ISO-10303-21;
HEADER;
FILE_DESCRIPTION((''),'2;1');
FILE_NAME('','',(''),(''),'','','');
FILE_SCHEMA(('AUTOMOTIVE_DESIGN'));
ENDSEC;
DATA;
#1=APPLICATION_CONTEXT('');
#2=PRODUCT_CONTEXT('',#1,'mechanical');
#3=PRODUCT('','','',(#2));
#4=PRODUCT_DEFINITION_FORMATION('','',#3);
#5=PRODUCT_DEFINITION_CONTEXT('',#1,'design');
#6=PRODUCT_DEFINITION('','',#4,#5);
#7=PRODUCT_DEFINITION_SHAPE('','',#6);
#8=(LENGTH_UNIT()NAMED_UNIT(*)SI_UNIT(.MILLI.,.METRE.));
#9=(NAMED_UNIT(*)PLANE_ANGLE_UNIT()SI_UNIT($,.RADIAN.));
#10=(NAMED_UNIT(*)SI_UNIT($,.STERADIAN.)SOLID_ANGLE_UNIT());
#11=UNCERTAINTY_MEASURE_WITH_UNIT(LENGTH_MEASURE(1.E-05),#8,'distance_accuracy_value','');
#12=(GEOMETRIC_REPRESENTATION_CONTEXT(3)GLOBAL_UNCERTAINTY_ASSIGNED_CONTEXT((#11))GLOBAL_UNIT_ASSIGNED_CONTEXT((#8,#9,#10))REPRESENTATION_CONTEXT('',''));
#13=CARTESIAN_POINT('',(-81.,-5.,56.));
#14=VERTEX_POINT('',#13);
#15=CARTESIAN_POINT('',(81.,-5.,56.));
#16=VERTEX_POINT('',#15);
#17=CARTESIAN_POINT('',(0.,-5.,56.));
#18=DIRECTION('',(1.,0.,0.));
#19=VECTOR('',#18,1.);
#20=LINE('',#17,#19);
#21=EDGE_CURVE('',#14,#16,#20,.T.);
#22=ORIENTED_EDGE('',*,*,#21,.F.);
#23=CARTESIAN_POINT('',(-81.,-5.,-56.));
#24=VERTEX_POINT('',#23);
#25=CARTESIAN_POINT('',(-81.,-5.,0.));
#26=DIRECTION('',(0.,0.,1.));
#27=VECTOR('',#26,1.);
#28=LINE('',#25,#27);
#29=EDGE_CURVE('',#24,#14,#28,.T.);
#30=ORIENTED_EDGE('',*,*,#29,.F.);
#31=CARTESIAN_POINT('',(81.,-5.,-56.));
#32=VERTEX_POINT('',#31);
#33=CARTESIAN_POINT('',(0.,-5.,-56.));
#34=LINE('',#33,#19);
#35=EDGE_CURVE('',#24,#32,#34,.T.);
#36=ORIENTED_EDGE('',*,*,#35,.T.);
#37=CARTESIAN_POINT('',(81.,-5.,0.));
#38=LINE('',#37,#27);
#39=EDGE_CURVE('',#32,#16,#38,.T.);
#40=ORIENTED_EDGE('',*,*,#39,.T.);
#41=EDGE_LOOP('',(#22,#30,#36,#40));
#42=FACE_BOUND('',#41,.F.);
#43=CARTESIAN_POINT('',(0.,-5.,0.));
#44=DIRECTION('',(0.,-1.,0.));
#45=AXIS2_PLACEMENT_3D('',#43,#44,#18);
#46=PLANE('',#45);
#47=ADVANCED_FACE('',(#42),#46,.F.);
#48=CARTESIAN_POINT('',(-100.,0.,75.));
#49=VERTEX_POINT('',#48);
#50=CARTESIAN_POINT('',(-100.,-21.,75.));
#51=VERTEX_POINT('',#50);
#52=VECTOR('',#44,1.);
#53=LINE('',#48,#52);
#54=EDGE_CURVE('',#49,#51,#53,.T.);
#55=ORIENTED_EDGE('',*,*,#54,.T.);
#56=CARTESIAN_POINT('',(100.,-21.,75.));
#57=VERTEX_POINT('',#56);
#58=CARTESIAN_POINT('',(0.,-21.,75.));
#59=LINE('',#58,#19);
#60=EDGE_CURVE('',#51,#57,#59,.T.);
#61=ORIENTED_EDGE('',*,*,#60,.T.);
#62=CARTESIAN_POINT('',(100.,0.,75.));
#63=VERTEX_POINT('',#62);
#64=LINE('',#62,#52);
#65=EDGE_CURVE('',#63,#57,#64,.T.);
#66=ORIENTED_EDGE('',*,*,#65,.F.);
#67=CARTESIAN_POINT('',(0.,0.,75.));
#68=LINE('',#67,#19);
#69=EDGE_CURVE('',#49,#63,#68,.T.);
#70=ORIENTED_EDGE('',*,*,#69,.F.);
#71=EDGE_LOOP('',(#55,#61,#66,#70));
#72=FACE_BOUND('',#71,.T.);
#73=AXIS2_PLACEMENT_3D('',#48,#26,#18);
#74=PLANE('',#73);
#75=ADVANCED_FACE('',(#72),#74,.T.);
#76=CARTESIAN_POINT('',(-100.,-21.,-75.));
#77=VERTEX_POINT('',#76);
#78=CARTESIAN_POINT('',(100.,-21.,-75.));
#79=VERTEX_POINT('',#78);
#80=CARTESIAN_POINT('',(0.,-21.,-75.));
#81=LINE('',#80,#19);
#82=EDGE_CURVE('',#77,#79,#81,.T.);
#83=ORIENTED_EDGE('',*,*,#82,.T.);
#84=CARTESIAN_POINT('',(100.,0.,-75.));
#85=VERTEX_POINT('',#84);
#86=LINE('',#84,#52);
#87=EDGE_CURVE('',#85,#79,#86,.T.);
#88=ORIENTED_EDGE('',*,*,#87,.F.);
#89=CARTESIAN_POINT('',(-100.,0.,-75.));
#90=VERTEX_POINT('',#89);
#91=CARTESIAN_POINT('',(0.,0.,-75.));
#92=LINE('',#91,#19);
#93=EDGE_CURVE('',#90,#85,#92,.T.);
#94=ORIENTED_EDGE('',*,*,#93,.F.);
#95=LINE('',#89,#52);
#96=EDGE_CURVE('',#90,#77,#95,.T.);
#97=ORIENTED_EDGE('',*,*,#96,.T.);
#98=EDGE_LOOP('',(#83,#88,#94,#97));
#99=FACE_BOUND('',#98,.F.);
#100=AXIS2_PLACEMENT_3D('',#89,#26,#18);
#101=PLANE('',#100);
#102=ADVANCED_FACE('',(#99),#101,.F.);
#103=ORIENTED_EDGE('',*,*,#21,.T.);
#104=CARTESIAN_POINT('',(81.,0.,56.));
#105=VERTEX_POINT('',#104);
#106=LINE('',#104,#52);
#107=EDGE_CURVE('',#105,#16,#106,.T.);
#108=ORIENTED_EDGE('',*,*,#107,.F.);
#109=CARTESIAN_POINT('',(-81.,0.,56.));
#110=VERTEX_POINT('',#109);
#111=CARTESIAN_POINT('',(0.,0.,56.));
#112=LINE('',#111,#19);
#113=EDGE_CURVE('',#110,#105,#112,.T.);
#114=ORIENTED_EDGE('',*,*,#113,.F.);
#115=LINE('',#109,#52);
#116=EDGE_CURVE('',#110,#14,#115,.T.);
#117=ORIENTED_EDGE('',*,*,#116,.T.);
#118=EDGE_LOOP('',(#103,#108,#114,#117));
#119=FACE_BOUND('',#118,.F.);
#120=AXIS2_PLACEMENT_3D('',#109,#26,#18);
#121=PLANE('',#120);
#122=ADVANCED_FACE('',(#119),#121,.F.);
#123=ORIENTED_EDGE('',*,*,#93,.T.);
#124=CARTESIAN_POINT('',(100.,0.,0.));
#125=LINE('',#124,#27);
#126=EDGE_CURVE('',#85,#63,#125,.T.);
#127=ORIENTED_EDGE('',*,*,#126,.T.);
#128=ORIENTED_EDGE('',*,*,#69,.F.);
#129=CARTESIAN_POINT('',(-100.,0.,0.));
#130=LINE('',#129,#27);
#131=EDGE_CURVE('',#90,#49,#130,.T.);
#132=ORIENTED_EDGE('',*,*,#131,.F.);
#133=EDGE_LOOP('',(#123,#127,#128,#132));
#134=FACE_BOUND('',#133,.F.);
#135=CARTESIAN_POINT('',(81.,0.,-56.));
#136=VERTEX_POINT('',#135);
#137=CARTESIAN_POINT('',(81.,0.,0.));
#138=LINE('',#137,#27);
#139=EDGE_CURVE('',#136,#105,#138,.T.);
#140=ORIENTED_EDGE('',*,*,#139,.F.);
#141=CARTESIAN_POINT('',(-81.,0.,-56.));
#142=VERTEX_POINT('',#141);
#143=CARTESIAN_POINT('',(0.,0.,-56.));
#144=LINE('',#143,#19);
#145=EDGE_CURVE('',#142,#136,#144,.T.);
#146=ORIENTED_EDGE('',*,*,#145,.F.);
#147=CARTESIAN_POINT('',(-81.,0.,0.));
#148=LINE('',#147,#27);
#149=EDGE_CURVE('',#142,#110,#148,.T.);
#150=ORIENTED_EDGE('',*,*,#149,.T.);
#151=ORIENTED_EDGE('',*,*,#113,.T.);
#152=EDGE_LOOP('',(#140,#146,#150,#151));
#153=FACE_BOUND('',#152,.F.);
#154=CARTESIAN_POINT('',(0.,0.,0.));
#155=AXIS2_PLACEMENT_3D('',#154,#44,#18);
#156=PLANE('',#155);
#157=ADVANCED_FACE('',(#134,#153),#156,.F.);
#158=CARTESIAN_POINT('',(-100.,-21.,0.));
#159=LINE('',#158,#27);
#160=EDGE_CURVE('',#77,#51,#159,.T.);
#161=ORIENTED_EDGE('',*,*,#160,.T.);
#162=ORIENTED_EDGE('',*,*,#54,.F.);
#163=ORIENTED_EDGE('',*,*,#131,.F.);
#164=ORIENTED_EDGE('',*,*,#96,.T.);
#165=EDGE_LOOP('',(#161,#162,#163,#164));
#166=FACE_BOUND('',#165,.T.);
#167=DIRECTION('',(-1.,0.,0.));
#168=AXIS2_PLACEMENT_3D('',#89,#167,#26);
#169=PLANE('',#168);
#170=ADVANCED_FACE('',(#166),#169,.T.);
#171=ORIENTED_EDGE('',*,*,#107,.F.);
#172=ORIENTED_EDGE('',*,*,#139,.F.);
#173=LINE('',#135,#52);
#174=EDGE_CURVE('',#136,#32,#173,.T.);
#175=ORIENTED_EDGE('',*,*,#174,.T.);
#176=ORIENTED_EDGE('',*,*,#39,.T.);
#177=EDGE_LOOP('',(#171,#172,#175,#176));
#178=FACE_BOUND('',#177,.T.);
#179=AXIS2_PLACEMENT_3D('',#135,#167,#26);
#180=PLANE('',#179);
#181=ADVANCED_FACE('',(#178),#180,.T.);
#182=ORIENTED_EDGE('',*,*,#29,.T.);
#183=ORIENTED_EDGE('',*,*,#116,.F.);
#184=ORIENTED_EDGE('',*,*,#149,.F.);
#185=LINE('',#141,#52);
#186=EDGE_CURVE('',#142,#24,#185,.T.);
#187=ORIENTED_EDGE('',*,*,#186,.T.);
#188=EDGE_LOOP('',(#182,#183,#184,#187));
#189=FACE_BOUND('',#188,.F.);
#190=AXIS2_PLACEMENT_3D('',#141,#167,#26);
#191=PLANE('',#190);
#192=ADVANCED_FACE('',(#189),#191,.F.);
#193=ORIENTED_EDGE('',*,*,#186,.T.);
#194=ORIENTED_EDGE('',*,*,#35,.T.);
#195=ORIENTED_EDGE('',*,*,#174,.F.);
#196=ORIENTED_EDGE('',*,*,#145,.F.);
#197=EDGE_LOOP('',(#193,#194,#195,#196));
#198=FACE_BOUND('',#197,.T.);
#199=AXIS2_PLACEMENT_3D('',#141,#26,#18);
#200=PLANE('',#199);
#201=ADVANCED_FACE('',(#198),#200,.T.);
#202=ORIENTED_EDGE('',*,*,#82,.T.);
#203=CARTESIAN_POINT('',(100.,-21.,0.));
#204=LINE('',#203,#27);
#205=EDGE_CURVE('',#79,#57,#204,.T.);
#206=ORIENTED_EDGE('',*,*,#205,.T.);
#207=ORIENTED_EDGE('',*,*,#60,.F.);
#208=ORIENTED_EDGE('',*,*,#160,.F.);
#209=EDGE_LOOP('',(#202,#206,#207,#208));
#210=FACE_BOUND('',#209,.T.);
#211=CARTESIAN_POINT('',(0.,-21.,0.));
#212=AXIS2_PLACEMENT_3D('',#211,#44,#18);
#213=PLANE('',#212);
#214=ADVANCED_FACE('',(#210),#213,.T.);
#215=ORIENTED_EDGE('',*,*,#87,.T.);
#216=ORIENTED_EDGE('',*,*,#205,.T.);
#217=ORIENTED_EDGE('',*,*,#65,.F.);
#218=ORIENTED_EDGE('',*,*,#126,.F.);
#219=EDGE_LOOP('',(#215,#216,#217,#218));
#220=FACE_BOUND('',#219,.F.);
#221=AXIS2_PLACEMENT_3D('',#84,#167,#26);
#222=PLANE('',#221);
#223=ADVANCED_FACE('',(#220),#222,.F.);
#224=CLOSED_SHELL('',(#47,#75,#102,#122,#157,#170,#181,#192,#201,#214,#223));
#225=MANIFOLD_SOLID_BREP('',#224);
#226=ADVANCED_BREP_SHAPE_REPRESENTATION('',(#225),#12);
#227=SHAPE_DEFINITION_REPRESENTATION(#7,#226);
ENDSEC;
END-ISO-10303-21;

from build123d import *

# Parameters (mm, degrees)
F0_W     = 200
F0_H     = 150
F0_W_2   = 162
F0_H_2   = 112
F1_DEPTH = 21
F2_DEPTH = 5


with BuildPart() as f1:
    # F0 (on Front) → F1 (new body)
    with BuildSketch(Plane.XZ):
        Rectangle(F0_W, F0_H)
        Rectangle(F0_W_2, F0_H_2, mode=Mode.SUBTRACT)
        Rectangle(F0_W_2, F0_H_2)
    extrude(amount=F1_DEPTH)

    # F0 (on Front) → F2 (cut)
    with BuildSketch(Plane.XZ):
        Rectangle(F0_W_2, F0_H_2)
    extrude(amount=F2_DEPTH, mode=Mode.SUBTRACT)


solid = f1.part
